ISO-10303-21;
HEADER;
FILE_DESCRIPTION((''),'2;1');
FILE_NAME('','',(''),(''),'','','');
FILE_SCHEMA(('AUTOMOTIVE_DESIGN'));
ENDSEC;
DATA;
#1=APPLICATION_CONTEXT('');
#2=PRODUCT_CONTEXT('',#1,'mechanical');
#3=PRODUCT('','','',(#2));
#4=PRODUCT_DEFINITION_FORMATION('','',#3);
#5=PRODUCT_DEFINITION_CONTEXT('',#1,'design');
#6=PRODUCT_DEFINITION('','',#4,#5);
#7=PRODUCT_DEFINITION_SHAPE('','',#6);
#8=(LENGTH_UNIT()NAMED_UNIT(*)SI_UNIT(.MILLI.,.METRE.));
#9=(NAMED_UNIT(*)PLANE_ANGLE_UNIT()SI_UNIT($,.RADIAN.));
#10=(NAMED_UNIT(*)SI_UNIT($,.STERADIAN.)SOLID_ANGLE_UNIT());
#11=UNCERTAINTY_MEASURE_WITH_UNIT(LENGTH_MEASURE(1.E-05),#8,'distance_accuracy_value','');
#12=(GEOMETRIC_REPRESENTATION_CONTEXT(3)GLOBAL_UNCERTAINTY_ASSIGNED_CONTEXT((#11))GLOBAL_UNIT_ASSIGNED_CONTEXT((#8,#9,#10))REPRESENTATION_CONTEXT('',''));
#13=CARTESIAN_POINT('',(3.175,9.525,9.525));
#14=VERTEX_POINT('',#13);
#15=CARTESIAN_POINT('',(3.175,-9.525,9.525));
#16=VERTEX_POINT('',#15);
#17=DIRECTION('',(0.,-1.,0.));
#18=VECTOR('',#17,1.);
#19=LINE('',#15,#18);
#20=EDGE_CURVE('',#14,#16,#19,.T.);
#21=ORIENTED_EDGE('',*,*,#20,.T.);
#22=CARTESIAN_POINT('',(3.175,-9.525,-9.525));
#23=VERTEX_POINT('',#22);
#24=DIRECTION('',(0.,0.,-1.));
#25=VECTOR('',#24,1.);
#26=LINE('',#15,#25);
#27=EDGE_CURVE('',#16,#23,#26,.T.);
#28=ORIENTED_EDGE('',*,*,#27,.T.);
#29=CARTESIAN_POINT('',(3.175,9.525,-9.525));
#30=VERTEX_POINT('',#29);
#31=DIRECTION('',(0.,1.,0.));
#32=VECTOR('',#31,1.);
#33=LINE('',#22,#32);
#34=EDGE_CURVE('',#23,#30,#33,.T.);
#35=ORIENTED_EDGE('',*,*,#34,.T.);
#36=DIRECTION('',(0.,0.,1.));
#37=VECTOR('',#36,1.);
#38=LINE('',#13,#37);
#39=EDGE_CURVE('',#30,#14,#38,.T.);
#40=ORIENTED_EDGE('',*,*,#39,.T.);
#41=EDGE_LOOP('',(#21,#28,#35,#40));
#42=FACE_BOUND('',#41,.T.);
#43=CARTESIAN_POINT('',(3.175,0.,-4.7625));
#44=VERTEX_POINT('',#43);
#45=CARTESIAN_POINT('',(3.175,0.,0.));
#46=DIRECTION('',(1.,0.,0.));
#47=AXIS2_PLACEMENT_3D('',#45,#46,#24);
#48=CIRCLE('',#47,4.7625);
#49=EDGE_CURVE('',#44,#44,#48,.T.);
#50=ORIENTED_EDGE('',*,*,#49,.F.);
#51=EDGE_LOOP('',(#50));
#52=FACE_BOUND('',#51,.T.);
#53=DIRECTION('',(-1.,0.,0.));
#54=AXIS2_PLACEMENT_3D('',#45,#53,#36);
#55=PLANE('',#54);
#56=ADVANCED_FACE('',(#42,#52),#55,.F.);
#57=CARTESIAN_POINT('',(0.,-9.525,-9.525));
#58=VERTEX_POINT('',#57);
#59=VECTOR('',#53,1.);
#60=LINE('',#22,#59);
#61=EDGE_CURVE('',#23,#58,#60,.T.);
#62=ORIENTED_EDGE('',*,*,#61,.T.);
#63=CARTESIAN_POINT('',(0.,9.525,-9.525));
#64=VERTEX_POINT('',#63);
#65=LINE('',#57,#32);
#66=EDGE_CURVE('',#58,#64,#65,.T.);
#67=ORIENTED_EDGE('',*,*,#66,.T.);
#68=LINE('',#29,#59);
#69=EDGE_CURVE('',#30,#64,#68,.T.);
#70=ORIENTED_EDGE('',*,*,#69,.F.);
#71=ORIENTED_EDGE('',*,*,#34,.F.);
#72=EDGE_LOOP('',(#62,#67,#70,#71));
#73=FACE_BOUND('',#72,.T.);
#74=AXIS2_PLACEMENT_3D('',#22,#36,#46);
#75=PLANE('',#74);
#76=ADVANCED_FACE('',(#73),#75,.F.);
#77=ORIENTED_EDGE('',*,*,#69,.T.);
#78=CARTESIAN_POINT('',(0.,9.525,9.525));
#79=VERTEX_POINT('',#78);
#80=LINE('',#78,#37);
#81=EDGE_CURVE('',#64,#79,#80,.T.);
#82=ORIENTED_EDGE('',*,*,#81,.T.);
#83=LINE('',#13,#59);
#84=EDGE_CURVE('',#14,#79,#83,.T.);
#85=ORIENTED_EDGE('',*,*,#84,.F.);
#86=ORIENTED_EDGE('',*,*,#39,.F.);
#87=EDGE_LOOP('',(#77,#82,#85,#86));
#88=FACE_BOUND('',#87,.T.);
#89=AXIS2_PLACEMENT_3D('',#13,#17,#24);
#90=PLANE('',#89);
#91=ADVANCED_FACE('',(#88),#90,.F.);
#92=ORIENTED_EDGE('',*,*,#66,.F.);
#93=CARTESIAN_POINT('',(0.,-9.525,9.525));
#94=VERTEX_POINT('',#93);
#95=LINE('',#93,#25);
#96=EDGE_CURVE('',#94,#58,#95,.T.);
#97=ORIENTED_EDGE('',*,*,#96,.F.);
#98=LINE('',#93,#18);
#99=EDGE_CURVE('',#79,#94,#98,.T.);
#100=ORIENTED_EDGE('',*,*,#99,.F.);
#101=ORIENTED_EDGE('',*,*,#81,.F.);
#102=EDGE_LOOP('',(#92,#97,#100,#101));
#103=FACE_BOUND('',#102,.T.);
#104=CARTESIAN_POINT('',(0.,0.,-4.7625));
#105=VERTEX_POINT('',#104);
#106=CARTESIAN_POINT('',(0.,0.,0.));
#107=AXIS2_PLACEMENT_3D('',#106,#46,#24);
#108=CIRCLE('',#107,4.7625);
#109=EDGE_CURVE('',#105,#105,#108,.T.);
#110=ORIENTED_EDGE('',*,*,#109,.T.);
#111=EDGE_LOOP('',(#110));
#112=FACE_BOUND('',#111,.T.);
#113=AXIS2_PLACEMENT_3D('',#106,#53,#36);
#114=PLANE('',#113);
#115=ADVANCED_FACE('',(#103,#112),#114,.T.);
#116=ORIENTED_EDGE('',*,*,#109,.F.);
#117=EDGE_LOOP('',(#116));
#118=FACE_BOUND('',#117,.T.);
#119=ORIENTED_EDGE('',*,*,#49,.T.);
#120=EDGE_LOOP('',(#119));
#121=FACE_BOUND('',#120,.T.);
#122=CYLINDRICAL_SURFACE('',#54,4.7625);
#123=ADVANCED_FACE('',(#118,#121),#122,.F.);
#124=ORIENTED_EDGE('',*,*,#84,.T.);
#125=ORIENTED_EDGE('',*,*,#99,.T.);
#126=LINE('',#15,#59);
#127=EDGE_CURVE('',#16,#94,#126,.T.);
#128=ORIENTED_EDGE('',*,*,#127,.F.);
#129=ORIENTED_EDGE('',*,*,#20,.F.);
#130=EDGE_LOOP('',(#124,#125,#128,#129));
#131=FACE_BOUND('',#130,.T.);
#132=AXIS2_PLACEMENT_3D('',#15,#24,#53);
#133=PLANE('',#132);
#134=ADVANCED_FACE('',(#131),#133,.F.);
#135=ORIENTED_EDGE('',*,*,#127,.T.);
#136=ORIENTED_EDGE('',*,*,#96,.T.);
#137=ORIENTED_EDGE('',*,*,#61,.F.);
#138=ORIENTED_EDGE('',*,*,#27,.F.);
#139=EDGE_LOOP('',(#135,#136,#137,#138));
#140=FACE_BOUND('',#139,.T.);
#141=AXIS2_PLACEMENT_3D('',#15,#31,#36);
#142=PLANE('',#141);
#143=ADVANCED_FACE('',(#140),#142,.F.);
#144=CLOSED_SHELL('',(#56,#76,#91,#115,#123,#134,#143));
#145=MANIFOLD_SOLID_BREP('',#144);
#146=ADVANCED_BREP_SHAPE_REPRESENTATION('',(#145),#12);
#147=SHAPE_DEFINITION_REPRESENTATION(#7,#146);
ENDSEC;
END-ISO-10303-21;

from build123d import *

# Parameters (mm, degrees)
SKETCH1_W           = 19.05
SKETCH1_H           = 19.05
SKETCH1_R           = 4.7625
BOSS_EXTRUDE1_DEPTH = 3.175


with BuildPart() as part:
    # Sketch1 → Boss-Extrude1 (new body)
    with BuildSketch(Plane(origin=(0, 0, 0), x_dir=(0, 0, -1), z_dir=(1, 0, 0))):
        Rectangle(SKETCH1_W, SKETCH1_H)
        Circle(SKETCH1_R, mode=Mode.SUBTRACT)
    extrude(amount=BOSS_EXTRUDE1_DEPTH)


solid = part.part
